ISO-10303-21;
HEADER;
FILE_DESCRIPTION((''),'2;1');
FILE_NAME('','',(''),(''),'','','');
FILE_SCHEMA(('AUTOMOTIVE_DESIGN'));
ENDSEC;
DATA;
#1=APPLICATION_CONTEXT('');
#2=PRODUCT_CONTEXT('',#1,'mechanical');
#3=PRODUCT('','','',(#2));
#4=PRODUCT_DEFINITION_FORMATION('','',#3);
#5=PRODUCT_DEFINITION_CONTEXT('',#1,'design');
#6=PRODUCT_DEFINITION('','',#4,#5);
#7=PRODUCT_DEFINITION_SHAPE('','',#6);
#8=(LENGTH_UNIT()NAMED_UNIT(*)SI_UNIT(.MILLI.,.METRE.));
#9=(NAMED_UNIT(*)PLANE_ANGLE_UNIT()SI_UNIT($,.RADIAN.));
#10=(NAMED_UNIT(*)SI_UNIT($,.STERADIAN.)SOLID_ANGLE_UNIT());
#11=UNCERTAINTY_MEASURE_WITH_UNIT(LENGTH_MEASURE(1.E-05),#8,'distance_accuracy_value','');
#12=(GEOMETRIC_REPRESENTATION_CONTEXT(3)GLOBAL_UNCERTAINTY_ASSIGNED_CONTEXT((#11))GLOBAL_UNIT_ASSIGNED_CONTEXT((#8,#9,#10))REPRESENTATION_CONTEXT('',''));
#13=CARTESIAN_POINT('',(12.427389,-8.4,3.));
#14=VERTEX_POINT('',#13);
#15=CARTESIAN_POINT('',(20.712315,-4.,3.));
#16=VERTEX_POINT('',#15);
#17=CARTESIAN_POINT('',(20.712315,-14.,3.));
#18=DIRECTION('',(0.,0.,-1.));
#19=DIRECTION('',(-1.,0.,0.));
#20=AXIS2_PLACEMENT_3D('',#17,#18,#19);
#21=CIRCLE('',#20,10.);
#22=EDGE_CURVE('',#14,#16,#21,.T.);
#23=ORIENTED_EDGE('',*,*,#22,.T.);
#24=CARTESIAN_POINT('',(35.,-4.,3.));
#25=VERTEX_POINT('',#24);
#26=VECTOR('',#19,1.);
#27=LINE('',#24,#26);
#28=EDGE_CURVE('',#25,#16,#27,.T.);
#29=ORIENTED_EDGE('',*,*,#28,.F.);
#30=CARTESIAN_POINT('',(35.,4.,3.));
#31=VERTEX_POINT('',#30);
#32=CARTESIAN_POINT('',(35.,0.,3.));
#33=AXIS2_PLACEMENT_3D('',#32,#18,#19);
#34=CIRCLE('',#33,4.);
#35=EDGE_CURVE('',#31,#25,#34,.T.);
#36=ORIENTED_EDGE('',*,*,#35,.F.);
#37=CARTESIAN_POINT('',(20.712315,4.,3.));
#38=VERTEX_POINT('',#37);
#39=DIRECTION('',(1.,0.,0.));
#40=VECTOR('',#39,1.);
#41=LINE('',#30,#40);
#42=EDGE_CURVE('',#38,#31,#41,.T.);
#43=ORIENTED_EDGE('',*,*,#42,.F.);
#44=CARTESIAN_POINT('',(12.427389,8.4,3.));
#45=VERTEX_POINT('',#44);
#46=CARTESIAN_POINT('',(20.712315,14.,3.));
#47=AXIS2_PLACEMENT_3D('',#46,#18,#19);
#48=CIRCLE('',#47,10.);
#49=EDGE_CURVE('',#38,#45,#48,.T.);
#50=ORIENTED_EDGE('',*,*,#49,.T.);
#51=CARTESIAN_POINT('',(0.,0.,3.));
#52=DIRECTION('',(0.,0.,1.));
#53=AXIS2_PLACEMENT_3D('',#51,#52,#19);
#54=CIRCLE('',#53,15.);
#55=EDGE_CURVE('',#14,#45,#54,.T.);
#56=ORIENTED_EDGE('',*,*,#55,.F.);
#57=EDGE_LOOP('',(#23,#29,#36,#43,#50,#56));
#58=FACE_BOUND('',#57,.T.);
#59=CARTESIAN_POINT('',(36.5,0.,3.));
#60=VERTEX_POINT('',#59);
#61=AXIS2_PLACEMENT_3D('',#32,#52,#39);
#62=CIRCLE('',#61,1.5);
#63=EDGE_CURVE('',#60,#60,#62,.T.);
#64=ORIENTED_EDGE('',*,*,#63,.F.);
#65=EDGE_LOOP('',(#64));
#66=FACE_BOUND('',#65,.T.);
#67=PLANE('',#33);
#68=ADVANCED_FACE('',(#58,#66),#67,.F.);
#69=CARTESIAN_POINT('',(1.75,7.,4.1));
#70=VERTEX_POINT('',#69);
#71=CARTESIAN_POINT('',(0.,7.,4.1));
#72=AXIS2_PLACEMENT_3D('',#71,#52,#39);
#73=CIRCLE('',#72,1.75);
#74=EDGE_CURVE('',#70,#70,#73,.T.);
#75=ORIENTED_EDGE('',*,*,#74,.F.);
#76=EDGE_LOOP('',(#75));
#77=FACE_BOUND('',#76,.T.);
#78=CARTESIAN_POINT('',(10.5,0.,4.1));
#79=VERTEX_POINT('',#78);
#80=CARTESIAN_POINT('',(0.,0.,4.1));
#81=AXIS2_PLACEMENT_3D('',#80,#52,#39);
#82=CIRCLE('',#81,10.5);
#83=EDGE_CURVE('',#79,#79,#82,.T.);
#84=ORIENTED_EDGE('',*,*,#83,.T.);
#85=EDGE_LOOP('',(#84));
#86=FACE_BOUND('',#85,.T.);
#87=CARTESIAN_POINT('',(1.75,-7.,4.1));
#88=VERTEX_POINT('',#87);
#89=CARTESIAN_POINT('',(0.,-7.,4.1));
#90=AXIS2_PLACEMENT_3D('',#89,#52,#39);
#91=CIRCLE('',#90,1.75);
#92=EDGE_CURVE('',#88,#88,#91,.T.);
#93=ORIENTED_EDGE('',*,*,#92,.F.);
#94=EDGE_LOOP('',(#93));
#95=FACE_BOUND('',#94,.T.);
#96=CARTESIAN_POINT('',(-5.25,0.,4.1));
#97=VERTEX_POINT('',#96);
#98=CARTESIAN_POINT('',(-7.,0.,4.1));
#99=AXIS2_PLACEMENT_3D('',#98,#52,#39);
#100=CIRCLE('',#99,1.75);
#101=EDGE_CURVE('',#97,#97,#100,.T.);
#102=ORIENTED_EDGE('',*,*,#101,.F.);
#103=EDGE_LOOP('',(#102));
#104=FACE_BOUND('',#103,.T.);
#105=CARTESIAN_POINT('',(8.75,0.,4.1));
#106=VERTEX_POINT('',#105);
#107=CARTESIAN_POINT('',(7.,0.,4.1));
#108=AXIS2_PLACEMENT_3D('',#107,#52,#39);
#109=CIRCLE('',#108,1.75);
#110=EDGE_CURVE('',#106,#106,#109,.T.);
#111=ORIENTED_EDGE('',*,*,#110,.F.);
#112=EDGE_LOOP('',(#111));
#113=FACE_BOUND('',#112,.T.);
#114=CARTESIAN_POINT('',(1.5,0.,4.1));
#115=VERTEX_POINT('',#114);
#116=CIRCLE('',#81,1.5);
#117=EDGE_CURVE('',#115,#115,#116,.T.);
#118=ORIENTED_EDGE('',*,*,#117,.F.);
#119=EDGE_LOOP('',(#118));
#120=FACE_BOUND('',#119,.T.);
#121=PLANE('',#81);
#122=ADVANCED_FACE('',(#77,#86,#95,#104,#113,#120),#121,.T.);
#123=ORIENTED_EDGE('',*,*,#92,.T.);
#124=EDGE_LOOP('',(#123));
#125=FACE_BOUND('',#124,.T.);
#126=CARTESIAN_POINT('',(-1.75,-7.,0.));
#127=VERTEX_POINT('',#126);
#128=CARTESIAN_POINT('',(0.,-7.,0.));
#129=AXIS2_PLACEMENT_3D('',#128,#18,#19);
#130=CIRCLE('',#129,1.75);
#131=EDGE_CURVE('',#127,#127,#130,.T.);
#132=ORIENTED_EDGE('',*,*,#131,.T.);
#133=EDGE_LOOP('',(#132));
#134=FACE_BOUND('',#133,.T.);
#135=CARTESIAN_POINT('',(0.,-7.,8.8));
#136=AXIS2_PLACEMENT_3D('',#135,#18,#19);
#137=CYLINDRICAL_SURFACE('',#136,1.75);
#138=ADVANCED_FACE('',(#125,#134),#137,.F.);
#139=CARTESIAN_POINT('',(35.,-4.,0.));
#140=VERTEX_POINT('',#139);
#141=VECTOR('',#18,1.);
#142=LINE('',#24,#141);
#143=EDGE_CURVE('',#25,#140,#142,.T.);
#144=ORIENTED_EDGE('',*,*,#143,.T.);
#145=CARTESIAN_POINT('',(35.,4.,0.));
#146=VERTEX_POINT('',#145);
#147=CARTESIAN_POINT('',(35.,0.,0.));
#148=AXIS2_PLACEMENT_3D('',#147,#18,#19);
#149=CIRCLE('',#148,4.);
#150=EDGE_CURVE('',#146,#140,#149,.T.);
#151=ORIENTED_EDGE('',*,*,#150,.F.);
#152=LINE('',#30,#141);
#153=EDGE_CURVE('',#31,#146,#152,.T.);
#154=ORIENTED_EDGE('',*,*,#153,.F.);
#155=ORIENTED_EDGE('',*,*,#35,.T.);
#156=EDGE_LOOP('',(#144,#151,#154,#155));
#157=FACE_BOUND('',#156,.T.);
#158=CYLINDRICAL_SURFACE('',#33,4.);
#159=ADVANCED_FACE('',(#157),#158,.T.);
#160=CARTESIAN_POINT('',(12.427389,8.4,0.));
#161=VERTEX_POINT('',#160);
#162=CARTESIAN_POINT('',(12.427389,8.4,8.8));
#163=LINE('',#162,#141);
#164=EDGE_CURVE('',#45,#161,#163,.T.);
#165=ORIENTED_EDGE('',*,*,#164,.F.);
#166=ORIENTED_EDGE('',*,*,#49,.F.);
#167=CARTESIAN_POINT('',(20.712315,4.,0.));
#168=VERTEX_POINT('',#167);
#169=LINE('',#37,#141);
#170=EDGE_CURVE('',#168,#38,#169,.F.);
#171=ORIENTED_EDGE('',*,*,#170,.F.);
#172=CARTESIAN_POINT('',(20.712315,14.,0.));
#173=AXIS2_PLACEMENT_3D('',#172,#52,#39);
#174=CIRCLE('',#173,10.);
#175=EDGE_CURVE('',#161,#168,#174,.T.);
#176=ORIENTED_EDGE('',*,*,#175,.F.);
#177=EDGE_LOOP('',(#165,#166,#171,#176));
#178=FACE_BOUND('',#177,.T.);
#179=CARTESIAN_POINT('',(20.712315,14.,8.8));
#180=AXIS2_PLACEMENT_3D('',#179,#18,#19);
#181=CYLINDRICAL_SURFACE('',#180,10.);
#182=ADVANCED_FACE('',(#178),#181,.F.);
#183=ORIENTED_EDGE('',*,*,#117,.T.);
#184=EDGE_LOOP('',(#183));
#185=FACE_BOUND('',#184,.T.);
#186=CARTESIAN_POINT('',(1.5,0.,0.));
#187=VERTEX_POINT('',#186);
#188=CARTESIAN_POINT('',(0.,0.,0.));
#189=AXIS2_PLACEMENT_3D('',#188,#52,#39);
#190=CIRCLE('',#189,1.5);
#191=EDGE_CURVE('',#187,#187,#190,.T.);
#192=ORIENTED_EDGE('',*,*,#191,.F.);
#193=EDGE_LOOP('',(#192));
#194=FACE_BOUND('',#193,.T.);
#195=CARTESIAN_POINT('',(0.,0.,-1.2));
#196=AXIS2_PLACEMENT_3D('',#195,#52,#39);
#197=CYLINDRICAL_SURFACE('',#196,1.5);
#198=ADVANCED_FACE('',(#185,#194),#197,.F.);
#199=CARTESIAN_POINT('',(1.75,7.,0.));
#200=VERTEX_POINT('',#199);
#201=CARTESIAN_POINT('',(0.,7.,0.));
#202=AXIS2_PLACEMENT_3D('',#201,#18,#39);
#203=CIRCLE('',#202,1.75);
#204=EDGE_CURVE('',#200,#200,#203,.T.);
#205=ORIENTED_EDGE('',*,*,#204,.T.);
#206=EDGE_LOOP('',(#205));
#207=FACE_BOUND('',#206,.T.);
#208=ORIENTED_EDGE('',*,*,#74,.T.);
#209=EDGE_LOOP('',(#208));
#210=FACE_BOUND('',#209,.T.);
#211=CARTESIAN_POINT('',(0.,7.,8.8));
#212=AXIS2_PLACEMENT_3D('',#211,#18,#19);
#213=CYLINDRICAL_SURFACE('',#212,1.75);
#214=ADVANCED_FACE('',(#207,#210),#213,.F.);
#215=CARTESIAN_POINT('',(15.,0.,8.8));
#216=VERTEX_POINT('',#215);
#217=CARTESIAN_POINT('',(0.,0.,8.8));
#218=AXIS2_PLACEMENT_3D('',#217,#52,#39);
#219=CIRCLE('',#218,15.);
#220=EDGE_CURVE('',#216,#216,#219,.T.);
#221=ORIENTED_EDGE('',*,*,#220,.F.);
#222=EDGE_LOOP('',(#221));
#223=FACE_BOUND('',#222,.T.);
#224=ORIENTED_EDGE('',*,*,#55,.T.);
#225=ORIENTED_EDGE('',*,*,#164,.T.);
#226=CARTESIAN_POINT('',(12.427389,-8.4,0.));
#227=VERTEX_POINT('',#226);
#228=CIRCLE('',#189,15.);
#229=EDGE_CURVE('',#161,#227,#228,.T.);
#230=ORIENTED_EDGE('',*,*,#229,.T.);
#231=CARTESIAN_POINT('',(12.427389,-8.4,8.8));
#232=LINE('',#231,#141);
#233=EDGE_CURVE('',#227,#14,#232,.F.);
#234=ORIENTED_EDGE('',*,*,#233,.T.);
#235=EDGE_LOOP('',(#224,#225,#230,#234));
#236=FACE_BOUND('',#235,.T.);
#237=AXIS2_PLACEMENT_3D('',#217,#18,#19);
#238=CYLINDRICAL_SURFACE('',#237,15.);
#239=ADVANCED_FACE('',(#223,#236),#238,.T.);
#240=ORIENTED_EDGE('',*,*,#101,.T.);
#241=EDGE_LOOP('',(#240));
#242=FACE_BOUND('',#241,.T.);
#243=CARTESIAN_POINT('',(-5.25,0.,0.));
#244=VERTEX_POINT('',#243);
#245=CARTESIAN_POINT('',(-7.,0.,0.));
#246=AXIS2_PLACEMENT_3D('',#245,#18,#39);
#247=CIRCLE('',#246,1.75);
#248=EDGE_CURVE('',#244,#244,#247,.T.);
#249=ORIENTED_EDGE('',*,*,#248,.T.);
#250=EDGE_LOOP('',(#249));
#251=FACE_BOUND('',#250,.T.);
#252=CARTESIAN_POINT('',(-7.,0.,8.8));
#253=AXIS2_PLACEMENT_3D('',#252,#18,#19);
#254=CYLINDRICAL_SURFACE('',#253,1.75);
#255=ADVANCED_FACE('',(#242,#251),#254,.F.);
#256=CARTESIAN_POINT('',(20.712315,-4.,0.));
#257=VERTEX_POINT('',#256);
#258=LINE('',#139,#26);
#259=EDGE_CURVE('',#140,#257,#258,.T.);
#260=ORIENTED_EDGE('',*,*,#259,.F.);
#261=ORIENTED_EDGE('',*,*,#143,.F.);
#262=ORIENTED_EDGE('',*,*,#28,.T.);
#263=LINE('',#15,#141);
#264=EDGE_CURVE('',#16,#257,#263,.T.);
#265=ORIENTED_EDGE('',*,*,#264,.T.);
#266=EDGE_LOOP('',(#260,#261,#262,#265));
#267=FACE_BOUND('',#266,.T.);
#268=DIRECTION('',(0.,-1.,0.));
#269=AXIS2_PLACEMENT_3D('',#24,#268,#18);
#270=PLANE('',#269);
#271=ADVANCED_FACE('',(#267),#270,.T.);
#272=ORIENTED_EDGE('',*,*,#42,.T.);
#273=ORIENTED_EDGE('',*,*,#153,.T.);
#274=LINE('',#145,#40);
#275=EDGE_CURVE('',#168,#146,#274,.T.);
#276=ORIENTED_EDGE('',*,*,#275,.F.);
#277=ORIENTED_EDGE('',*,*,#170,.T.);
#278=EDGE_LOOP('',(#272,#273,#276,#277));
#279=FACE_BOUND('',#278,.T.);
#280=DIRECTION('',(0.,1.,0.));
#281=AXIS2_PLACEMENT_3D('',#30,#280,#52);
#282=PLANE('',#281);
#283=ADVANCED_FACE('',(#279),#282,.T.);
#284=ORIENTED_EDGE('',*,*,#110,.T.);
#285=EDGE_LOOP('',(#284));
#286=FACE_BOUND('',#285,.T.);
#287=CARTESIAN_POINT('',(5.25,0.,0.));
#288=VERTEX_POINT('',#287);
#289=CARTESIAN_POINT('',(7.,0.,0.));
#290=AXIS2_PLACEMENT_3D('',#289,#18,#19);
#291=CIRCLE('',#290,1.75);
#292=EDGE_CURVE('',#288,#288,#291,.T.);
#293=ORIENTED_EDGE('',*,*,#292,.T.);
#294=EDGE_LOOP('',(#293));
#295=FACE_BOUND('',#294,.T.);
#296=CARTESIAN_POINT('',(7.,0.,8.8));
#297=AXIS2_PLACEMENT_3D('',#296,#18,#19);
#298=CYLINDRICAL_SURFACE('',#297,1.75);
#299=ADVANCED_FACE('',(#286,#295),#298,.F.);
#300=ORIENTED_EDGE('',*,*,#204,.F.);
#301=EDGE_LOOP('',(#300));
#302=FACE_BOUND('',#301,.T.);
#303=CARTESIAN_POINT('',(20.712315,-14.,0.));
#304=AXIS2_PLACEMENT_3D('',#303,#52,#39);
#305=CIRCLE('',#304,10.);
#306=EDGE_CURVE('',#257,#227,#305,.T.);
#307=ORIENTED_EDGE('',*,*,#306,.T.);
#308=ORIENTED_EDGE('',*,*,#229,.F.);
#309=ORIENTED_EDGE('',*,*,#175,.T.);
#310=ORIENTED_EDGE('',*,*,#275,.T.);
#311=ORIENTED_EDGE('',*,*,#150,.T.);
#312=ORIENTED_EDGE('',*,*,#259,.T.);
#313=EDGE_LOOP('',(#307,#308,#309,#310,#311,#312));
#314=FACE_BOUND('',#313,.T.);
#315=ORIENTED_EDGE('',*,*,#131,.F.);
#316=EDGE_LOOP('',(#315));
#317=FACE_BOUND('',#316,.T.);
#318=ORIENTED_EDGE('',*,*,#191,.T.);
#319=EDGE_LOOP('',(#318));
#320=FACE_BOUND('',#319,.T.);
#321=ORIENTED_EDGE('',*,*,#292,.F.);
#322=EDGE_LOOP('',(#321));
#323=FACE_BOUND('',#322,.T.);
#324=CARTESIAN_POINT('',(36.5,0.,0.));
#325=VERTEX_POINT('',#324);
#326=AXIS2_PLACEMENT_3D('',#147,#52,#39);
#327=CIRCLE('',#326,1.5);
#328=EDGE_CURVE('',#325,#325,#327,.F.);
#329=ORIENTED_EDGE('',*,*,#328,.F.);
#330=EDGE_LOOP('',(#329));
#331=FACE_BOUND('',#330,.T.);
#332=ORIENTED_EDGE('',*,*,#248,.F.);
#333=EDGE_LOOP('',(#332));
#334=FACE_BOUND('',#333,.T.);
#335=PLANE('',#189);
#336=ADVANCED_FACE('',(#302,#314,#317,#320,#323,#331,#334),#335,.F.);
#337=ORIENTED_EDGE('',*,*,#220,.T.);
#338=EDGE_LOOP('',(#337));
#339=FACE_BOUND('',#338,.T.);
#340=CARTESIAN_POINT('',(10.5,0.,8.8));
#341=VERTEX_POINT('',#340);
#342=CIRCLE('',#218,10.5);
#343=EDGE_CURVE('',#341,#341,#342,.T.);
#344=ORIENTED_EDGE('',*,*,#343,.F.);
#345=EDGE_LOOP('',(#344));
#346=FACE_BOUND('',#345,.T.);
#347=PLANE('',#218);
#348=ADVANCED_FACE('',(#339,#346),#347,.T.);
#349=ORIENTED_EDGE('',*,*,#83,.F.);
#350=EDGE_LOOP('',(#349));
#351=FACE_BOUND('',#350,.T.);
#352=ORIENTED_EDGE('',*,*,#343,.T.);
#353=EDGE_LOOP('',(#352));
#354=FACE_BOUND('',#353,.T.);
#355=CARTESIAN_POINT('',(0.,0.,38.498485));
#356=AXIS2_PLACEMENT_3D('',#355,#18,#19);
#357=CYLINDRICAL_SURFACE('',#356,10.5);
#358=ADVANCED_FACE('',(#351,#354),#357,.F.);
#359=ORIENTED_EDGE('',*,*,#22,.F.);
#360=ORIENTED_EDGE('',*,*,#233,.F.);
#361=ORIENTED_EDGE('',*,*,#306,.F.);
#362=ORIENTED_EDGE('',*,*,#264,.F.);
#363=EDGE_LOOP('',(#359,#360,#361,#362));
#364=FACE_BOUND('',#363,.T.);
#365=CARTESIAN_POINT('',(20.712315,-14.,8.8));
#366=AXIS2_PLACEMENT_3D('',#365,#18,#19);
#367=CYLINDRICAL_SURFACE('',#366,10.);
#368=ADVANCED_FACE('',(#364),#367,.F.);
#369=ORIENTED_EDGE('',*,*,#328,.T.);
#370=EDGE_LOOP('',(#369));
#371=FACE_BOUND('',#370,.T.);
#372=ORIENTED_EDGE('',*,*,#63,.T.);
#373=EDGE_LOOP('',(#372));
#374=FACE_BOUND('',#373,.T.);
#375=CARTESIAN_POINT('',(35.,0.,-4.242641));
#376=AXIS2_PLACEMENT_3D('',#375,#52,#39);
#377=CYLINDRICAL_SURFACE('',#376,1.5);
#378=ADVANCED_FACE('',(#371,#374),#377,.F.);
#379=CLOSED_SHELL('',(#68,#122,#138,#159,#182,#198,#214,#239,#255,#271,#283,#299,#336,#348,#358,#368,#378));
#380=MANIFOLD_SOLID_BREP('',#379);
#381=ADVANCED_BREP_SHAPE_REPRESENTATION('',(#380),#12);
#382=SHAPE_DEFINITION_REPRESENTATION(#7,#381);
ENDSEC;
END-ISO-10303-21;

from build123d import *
from build123d.topology import SkipClean

# Parameters (mm, degrees)
SKETCH1_R           = 15
BOSS_EXTRUDE1_DEPTH = 8.8
CUT_EXTRUDE1_DEPTH  = 5
SKETCH3_R           = 1.5
CUT_EXTRUDE2_DEPTH  = 5
BOSS_EXTRUDE2_DEPTH = 3
FILLET1_R           = 10
FILLET2_R           = 10
SKETCH6_R           = 1.5
CUT_EXTRUDE4_DEPTH  = 3
SKETCH7_R           = 10.5
CUT_EXTRUDE6_DEPTH  = 5
BOSS_EXTRUDE3_DEPTH = 0.3
BOSS_EXTRUDE4_START = -4.7
BOSS_EXTRUDE4_DEPTH = 4.7
SKETCH11_R          = 1.5
CUT_EXTRUDE7_DEPTH  = 43.083250825
SKETCH12_R          = 1.75
CUT_EXTRUDE8_DEPTH  = 43.701756404


with BuildPart() as part:
    # Sketch1 → Boss-Extrude1 (new body)
    with BuildSketch(Plane.XY):
        Circle(SKETCH1_R)
    extrude(amount=BOSS_EXTRUDE1_DEPTH)

    # Sketch2 → Cut-Extrude1 (cut)
    with BuildSketch(Plane.XY.offset(8.8)):
        with BuildLine():
            Line((-2.469689731, 16.888114198), (-4.5, 3.968626967))
            ThreePointArc((-4.5, 3.968626967), (-6, 0), (-4.5, -3.968626967))
            Line((-4.5, -3.968626967), (-2.469689731, -16.888114198))
            ThreePointArc((-2.469689731, -16.888114198), (0, -19), (2.469689731, -16.888114198))
            Line((2.469689731, -16.888114198), (4.5, -3.968626967))
            ThreePointArc((4.5, -3.968626967), (6, 0), (4.5, 3.968626967))
            Line((4.5, 3.968626967), (2.469689731, 16.888114198))
            ThreePointArc((2.469689731, 16.888114198), (0, 19), (-2.469689731, 16.888114198))
        make_face()
    extrude(amount=-CUT_EXTRUDE1_DEPTH, mode=Mode.SUBTRACT)

    # Sketch3 → Cut-Extrude2 (cut)
    with BuildSketch(Plane.XY.offset(3.8)):
        Circle(SKETCH3_R)
    extrude(amount=-CUT_EXTRUDE2_DEPTH, mode=Mode.SUBTRACT)

    # Sketch4 → Boss-Extrude2 (add)
    with BuildSketch(Plane(origin=(0, 0, 0), x_dir=(-1, 0, 0), z_dir=(0, 0, -1))):
        with BuildLine():
            Line((-35, 4), (-14.456832295, 4))
            ThreePointArc((-14.456832295, 4), (-15, 0), (-14.456832295, -4))
            Line((-14.456832295, -4), (-35, -4))
            ThreePointArc((-35, -4), (-39, 0), (-35, 4))
        make_face()
    extrude(amount=-BOSS_EXTRUDE2_DEPTH)

    # Fillet1
    fillet1_edges = [part.edges().sort_by_distance(p)[0] for p in [
        (14.456832295, 4, 1.5),
    ]]
    fillet(fillet1_edges, radius=FILLET1_R)

    # Fillet2
    fillet2_edges = [part.edges().sort_by_distance(p)[0] for p in [
        (14.456832295, -4, 1.5),
    ]]
    fillet(fillet2_edges, radius=FILLET2_R)

    # Sketch6 → Cut-Extrude4 (cut)
    with BuildSketch(Plane.XY.offset(3)):
        with Locations((35, 0)):
            Circle(SKETCH6_R)
    extrude(amount=-CUT_EXTRUDE4_DEPTH, mode=Mode.SUBTRACT)

    # Sketch7 → Cut-Extrude6 (cut)
    with BuildSketch(Plane.XY.offset(3.8)):
        Circle(SKETCH7_R)
    extrude(amount=CUT_EXTRUDE6_DEPTH, mode=Mode.SUBTRACT)

    # Sketch8 → Boss-Extrude3 (add)
    with BuildSketch(Plane.XY.offset(3.8)):
        with BuildLine():
            Line((-2.808083405, 14.73481142), (-3.572005324, 9.873741842))
            ThreePointArc((-3.572005324, 9.873741842), (-10.5, 0), (-3.572005324, -9.873741842))
            Line((-3.572005324, -9.873741842), (-2.808083405, -14.73481142))
            ThreePointArc((-2.808083405, -14.73481142), (0, -15), (2.808083405, -14.73481142))
            Line((2.808083405, -14.73481142), (3.572005324, -9.873741842))
            ThreePointArc((3.572005324, -9.873741842), (10.5, 0), (3.572005324, 9.873741842))
            Line((3.572005324, 9.873741842), (2.808083405, 14.73481142))
            ThreePointArc((2.808083405, 14.73481142), (0, 15), (-2.808083405, 14.73481142))
        make_face()
    extrude(amount=BOSS_EXTRUDE3_DEPTH)

    # Sketch9 → Boss-Extrude4 (add)
    with SkipClean():  # the faces are left unmerged after this step: merging them gives an invalid solid
        with BuildSketch(Plane.XY.offset(8.8).offset(BOSS_EXTRUDE4_START)):
            with BuildLine():
                Line((-2.808083405, 14.73481142), (-3.572005324, 9.873741842))
                ThreePointArc((-3.572005324, 9.873741842), (0, 10.5), (3.572005324, 9.873741842))
                Line((3.572005324, 9.873741842), (2.808083405, 14.73481142))
                ThreePointArc((2.808083405, 14.73481142), (0, 15), (-2.808083405, 14.73481142))
            make_face()
            with BuildLine():
                Line((-3.572005324, -9.873741842), (-2.808083405, -14.73481142))
                ThreePointArc((-2.808083405, -14.73481142), (0, -15), (2.808083405, -14.73481142))
                Line((2.808083405, -14.73481142), (3.572005324, -9.873741842))
                ThreePointArc((3.572005324, -9.873741842), (0, -10.5), (-3.572005324, -9.873741842))
            make_face()
        extrude(amount=BOSS_EXTRUDE4_DEPTH)

    # Sketch11 → Cut-Extrude7 (cut, through all)
    with SkipClean():  # the faces are left unmerged after this step: merging them gives an invalid solid
        with BuildSketch(Plane(origin=(0, 0, 3.8), x_dir=(-1, 0, 0), z_dir=(0, 0, -1))):
            with Locations(Location((0, 0, 0), (0, 0, 180))):
                Circle(SKETCH11_R)
        extrude(amount=-CUT_EXTRUDE7_DEPTH, mode=Mode.SUBTRACT)

    # Sketch12 → Cut-Extrude8 (cut, through all)
    with SkipClean():  # the faces are left unmerged after this step: merging them gives an invalid solid
        with BuildSketch(Plane(origin=(0, 0, 0), x_dir=(-1, 0, 0), z_dir=(0, 0, -1))):
            with Locations((0, -7)):
                Circle(SKETCH12_R)
            with Locations((-7, 0)):
                Circle(SKETCH12_R)
            with Locations(Location((7, 0, 0), (0, 0, 180))):
                Circle(SKETCH12_R)
            with Locations(Location((0, 7, 0), (0, 0, 180))):
                Circle(SKETCH12_R)
        extrude(amount=-CUT_EXTRUDE8_DEPTH, mode=Mode.SUBTRACT)


solid = part.part
